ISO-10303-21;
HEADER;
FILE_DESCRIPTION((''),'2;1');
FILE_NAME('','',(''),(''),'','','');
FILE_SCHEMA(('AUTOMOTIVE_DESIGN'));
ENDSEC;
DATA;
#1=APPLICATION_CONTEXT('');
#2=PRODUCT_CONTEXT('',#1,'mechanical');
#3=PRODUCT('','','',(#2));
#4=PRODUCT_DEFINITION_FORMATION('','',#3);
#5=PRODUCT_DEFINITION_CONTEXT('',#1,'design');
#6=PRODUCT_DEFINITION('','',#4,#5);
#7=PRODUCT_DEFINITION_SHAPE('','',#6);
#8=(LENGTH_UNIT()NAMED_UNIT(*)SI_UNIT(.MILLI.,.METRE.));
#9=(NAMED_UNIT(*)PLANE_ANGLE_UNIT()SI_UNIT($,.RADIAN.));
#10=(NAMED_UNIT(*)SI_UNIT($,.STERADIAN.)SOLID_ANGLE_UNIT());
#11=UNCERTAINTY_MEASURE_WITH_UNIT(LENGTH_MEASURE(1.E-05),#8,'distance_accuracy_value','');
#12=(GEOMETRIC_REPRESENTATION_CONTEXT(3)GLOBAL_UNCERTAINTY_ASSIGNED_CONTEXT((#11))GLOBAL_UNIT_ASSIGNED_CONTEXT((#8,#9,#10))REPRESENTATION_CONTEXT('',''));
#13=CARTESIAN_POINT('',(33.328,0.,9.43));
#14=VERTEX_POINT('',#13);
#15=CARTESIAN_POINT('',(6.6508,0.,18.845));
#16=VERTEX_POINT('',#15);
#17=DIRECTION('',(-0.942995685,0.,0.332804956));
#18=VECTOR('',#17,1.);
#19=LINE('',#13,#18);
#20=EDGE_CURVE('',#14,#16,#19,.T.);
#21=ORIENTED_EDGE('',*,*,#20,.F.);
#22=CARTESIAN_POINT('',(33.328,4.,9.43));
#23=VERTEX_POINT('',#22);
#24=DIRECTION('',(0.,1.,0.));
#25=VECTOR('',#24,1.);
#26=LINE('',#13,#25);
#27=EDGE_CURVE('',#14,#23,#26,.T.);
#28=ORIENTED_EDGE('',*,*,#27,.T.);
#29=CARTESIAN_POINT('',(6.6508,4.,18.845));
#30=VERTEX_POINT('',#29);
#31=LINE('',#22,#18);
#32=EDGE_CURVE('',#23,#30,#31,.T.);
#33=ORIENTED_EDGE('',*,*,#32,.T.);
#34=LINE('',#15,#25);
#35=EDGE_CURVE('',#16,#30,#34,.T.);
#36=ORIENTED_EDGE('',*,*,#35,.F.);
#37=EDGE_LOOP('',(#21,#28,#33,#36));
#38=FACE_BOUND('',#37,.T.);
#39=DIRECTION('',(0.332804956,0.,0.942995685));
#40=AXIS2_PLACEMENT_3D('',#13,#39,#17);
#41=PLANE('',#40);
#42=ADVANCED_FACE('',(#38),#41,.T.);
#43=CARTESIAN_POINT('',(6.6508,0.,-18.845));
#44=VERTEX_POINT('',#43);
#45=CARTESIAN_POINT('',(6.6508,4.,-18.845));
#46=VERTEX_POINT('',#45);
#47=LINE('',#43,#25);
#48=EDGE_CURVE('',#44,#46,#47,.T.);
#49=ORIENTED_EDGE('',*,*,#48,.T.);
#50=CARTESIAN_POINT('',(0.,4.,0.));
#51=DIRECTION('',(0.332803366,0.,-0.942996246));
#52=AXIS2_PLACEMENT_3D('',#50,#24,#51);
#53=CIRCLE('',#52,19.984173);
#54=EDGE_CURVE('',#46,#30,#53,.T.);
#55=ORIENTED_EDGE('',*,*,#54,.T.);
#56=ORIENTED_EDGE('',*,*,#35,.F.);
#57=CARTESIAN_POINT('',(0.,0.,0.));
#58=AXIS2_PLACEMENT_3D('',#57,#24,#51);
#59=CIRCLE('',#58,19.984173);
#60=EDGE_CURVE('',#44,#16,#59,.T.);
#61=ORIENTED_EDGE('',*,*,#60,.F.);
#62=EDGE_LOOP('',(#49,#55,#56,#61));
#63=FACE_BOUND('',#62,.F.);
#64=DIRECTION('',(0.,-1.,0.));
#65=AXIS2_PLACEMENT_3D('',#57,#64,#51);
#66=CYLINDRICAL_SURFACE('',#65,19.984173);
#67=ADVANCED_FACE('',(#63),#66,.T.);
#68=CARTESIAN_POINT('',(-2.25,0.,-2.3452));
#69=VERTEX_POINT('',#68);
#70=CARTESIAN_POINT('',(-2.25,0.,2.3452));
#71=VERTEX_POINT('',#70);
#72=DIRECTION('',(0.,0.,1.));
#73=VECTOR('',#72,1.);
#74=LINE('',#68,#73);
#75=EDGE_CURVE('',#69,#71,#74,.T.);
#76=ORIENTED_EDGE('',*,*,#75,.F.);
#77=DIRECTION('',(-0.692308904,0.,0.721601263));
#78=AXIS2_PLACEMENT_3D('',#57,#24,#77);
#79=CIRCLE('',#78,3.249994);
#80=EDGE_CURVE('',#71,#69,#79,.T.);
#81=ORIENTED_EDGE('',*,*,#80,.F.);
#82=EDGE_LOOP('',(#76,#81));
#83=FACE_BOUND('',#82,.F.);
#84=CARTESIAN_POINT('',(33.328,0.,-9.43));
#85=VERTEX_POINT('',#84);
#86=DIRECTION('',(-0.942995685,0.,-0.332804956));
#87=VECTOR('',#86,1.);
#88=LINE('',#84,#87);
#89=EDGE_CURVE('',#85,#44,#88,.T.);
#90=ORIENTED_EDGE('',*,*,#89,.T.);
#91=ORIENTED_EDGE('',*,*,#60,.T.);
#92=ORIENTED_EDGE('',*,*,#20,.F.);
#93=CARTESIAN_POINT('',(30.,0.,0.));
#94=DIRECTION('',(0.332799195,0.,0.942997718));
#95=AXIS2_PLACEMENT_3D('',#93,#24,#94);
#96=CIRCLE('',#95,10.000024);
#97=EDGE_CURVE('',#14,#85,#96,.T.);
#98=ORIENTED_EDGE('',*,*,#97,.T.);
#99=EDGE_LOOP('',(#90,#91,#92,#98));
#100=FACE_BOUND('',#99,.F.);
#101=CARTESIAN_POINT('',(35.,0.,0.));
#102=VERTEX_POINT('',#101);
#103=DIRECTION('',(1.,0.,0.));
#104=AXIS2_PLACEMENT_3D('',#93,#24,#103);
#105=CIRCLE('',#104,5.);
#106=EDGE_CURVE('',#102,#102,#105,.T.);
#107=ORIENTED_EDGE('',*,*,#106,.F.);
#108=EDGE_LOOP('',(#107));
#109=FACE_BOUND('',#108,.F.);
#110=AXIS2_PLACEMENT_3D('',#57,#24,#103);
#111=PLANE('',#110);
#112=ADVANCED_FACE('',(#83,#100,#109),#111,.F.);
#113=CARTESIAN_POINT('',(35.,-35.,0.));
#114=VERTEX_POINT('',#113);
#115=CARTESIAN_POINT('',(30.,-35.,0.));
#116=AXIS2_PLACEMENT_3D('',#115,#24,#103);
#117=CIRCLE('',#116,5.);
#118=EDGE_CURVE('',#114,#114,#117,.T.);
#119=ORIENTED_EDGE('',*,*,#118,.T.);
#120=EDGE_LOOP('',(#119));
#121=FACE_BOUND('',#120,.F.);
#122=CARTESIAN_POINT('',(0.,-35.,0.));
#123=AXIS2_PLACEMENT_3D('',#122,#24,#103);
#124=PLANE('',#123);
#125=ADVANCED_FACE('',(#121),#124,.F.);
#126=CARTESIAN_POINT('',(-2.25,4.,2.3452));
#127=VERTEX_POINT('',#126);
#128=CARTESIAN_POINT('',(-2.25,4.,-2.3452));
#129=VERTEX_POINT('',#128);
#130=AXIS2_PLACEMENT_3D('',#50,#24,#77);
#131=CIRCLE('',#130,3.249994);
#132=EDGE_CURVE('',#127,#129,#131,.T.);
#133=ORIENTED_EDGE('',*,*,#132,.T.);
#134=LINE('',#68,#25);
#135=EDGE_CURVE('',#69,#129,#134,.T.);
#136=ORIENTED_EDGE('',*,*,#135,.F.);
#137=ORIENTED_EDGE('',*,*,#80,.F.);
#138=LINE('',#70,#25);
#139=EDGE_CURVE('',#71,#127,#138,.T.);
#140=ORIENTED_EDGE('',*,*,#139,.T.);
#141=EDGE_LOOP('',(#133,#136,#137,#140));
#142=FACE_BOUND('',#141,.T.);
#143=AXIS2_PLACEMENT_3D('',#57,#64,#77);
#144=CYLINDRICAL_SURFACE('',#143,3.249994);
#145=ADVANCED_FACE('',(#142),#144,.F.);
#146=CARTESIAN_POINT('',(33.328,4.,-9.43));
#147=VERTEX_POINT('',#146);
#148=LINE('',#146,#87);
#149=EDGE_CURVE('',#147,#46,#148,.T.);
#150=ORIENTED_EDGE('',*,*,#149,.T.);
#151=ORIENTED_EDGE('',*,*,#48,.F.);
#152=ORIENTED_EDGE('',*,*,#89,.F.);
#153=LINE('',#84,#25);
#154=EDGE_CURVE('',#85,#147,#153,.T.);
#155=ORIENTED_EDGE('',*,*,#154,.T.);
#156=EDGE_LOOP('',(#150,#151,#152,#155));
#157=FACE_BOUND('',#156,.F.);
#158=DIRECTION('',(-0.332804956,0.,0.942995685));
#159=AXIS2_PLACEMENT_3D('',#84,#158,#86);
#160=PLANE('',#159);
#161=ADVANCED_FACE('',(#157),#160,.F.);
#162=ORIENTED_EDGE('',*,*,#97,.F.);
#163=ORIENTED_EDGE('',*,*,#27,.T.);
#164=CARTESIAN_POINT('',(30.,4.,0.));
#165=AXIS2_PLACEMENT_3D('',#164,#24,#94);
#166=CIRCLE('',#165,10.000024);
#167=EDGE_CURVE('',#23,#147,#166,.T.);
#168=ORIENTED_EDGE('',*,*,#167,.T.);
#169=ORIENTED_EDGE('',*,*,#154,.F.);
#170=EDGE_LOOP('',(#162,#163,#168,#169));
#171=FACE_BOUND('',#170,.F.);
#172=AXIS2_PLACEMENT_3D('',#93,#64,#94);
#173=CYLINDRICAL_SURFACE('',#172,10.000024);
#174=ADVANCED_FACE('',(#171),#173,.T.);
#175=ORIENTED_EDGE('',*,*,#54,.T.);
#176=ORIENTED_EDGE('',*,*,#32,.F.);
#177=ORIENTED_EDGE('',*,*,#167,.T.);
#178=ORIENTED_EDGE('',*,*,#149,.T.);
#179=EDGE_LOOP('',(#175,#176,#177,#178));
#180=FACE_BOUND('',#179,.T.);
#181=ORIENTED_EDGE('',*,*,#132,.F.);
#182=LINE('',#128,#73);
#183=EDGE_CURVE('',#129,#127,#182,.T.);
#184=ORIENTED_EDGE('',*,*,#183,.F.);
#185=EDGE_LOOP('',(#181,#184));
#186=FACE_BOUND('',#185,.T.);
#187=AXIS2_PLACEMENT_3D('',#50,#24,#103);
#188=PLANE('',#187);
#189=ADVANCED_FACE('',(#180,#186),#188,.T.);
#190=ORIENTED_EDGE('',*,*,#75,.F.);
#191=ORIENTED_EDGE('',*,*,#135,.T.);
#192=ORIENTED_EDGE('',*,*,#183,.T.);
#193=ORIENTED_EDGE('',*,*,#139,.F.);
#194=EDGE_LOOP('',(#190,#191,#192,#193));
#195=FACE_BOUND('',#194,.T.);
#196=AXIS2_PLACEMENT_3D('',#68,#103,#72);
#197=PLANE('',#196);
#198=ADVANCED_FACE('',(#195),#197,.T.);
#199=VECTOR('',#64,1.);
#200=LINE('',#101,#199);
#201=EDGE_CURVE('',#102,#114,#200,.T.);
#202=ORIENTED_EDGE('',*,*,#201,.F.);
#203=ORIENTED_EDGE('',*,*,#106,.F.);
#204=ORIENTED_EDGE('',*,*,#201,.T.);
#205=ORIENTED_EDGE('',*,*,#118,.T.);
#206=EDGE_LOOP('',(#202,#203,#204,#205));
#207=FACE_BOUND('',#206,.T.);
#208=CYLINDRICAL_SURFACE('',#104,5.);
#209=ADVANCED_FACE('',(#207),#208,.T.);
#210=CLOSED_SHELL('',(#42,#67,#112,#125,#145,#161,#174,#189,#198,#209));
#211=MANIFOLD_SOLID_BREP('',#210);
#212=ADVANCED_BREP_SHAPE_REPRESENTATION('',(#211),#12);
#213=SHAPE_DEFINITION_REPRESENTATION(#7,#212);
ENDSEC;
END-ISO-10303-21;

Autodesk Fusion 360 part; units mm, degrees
sketch "Sketch1" plane through (0, 0, 0) normal (0, 1, 0) x (1, 0, 0)
  circle A0 centre (30, 0) radius 5
  line L0 (33.328, 9.43) -> (6.6508, 18.845)
  line L1 (33.328, -9.43) -> (6.6508, -18.845)
  arc A1 (33.328, -9.43) -> (33.328, 9.43) centre (30, 0) ccw
  arc A2 (6.6508, 18.845) -> (6.6508, -18.845) centre (0, 0) ccw
  line L2 (-2.25, 2.3452) -> (-2.25, -2.3452)
  arc A3 (-2.25, -2.3452) -> (-2.25, 2.3452) centre (0, 0) ccw
extrude "Extrude1" add sketch "Sketch1" along normal blind 4 contours A0 | L0 L1 A1 A2
extrude "Extrude2" add sketch "Sketch1" against normal blind 35 contours A0
